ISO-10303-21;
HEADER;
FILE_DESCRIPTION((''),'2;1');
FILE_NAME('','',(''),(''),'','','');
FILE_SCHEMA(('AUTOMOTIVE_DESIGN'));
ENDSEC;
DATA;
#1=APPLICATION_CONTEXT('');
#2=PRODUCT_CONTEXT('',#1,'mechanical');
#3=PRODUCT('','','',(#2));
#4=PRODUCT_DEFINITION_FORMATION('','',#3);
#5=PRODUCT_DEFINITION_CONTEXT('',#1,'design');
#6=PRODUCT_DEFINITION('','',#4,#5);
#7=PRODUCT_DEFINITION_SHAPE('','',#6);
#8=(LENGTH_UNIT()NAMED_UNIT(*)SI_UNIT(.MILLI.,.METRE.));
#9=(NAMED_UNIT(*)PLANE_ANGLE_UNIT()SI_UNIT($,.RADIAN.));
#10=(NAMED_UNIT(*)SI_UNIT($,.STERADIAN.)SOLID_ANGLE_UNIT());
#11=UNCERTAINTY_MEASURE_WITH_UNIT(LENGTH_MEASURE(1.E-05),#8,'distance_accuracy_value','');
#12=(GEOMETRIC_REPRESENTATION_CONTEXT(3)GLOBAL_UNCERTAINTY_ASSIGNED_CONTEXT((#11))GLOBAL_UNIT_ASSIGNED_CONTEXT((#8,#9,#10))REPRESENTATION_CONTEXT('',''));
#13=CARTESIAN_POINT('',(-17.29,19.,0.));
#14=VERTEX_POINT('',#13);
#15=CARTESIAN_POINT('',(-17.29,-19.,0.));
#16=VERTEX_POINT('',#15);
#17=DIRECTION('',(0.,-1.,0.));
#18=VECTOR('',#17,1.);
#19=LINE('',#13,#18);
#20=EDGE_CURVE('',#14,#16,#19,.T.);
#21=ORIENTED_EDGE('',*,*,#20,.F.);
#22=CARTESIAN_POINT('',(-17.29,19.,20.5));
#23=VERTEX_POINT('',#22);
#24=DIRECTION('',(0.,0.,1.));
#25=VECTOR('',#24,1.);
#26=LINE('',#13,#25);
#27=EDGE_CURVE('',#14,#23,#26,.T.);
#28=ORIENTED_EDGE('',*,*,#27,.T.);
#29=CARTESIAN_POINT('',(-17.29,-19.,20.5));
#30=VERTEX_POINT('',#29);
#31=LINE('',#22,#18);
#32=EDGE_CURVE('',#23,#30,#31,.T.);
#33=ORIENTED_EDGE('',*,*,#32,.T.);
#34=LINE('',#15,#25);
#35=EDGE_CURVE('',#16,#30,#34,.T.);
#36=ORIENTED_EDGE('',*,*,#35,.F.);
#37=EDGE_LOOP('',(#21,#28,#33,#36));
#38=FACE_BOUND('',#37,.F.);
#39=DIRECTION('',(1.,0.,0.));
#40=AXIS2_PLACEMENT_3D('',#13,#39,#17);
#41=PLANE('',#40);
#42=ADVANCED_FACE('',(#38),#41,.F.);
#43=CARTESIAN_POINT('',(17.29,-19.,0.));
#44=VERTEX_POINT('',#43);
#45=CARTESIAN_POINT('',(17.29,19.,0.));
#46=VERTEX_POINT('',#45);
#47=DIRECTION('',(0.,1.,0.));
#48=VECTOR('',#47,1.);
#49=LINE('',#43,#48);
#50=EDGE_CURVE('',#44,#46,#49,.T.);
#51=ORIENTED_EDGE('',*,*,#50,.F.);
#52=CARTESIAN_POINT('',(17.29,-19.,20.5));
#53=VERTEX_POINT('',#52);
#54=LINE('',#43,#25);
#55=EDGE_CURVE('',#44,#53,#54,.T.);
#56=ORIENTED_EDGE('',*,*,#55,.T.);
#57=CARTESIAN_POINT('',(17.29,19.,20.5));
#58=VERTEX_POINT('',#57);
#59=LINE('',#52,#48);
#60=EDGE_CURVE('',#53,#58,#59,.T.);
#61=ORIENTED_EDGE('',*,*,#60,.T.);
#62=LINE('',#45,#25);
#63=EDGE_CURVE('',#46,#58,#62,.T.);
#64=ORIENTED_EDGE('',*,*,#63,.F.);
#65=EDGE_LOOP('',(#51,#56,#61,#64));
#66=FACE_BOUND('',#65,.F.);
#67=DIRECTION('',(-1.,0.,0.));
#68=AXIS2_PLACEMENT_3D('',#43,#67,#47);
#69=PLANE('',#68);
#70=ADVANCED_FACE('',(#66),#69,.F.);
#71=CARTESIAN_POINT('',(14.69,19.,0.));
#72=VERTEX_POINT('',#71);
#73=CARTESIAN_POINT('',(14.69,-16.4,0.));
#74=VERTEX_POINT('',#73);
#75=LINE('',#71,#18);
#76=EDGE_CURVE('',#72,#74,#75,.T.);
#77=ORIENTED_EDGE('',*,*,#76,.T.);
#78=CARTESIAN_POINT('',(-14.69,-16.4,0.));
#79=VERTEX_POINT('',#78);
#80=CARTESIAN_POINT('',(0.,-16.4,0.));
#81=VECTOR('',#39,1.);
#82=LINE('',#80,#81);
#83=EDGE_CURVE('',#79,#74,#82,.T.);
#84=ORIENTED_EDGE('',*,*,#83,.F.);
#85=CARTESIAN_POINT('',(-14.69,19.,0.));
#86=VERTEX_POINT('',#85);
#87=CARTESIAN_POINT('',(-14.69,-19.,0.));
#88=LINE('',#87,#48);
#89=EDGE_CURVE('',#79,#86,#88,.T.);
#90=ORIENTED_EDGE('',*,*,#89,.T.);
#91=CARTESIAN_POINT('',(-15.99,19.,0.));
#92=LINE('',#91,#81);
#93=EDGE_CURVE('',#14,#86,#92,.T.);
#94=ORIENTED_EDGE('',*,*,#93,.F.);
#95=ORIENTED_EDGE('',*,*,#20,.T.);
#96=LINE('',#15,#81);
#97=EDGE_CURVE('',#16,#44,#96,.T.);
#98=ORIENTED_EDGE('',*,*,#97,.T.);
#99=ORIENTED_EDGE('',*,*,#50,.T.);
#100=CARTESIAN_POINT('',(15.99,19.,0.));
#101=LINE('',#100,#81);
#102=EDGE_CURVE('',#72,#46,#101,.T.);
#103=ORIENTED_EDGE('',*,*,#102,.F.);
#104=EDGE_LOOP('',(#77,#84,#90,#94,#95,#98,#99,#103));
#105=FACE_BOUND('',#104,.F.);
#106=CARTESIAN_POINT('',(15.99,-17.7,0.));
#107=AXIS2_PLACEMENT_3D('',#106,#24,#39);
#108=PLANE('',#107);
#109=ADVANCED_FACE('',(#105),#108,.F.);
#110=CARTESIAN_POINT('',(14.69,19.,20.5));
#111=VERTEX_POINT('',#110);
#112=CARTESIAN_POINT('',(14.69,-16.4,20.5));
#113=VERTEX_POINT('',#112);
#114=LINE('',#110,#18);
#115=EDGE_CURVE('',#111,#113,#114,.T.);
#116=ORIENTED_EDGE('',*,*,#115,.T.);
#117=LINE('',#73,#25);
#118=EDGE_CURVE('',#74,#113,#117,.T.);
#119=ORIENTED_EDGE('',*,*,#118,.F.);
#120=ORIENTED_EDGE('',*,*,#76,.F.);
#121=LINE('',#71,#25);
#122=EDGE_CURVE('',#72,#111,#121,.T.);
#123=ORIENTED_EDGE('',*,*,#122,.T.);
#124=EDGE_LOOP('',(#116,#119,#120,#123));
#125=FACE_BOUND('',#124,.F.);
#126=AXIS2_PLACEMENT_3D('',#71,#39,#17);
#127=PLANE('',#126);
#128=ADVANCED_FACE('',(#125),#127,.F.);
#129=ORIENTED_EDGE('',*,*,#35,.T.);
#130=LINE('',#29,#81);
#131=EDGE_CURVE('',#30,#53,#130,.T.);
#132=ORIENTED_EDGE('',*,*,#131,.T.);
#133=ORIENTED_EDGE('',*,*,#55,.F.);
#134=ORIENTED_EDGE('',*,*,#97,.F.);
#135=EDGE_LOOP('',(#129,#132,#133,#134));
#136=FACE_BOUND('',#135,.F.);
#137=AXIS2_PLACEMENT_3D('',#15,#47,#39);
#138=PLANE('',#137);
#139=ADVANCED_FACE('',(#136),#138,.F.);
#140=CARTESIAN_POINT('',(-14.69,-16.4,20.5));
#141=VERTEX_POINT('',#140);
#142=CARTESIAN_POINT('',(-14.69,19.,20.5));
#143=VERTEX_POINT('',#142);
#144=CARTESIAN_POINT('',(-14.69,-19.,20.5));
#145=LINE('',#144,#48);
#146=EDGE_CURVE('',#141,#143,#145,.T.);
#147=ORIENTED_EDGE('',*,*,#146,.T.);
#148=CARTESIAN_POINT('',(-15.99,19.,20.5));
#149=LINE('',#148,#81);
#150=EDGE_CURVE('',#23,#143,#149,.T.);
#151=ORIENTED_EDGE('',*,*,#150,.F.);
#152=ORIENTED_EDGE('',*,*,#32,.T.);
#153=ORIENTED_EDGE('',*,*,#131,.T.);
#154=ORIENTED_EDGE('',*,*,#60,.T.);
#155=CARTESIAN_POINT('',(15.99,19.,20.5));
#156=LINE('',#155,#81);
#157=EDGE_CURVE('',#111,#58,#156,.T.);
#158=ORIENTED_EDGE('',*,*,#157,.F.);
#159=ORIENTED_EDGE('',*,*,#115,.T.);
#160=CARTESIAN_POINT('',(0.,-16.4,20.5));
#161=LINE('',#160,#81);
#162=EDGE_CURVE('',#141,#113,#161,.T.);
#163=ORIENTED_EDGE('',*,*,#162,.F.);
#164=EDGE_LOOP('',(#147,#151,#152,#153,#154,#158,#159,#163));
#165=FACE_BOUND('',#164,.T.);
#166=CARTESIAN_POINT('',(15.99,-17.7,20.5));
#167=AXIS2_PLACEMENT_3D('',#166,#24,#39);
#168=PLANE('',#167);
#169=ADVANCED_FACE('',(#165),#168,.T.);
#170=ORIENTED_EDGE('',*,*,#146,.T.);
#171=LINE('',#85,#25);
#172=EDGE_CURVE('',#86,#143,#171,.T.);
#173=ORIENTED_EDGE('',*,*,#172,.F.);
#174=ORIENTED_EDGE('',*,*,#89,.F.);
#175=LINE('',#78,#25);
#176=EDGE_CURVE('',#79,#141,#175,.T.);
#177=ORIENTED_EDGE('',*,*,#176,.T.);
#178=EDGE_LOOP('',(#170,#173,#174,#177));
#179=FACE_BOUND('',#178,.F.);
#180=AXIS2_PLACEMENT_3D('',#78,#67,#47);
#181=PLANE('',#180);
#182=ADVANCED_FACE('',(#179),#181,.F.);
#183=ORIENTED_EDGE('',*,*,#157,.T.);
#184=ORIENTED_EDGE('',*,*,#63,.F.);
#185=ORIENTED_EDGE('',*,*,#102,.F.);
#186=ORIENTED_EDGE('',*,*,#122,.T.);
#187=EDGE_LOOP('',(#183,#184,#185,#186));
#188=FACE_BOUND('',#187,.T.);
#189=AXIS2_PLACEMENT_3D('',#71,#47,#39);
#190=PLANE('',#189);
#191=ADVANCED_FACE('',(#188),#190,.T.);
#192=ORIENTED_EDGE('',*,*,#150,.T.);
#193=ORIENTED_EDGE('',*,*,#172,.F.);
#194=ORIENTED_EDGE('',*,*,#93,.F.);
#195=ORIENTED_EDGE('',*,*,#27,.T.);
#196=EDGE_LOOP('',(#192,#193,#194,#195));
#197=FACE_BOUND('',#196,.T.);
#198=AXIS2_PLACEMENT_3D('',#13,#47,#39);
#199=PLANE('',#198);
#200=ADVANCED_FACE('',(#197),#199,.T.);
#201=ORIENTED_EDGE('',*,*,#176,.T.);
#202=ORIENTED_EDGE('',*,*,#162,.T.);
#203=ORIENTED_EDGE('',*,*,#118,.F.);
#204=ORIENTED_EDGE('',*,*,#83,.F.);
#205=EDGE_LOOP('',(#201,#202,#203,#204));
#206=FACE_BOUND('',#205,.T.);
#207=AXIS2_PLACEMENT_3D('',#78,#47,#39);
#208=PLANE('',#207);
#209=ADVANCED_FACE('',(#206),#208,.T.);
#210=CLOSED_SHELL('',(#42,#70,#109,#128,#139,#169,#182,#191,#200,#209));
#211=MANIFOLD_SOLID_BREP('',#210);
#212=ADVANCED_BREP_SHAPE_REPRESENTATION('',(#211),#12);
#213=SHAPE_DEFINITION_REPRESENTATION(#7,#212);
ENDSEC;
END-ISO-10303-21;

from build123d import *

# Parameters (mm, degrees)
F0_W     = 2.6
F0_H     = 2.6
F0_H_2   = 35.4
F0_W_2   = 29.38
F1_DEPTH = 20.5


with BuildPart() as f1:
    # F0 (on Top) → F1 (new body)
    with BuildSketch(Plane.XY):
        with Locations((15.99, -17.7)):
            Rectangle(F0_W, F0_H)
        with Locations((-15.99, -17.7)):
            Rectangle(F0_W, F0_H)
        with Locations((15.99, 1.3)):
            Rectangle(F0_W, F0_H_2)
        with Locations((-15.99, 1.3)):
            Rectangle(F0_W, F0_H_2)
        with Locations((0, -17.7)):
            Rectangle(F0_W_2, F0_H)
    extrude(amount=F1_DEPTH)


solid = f1.part
